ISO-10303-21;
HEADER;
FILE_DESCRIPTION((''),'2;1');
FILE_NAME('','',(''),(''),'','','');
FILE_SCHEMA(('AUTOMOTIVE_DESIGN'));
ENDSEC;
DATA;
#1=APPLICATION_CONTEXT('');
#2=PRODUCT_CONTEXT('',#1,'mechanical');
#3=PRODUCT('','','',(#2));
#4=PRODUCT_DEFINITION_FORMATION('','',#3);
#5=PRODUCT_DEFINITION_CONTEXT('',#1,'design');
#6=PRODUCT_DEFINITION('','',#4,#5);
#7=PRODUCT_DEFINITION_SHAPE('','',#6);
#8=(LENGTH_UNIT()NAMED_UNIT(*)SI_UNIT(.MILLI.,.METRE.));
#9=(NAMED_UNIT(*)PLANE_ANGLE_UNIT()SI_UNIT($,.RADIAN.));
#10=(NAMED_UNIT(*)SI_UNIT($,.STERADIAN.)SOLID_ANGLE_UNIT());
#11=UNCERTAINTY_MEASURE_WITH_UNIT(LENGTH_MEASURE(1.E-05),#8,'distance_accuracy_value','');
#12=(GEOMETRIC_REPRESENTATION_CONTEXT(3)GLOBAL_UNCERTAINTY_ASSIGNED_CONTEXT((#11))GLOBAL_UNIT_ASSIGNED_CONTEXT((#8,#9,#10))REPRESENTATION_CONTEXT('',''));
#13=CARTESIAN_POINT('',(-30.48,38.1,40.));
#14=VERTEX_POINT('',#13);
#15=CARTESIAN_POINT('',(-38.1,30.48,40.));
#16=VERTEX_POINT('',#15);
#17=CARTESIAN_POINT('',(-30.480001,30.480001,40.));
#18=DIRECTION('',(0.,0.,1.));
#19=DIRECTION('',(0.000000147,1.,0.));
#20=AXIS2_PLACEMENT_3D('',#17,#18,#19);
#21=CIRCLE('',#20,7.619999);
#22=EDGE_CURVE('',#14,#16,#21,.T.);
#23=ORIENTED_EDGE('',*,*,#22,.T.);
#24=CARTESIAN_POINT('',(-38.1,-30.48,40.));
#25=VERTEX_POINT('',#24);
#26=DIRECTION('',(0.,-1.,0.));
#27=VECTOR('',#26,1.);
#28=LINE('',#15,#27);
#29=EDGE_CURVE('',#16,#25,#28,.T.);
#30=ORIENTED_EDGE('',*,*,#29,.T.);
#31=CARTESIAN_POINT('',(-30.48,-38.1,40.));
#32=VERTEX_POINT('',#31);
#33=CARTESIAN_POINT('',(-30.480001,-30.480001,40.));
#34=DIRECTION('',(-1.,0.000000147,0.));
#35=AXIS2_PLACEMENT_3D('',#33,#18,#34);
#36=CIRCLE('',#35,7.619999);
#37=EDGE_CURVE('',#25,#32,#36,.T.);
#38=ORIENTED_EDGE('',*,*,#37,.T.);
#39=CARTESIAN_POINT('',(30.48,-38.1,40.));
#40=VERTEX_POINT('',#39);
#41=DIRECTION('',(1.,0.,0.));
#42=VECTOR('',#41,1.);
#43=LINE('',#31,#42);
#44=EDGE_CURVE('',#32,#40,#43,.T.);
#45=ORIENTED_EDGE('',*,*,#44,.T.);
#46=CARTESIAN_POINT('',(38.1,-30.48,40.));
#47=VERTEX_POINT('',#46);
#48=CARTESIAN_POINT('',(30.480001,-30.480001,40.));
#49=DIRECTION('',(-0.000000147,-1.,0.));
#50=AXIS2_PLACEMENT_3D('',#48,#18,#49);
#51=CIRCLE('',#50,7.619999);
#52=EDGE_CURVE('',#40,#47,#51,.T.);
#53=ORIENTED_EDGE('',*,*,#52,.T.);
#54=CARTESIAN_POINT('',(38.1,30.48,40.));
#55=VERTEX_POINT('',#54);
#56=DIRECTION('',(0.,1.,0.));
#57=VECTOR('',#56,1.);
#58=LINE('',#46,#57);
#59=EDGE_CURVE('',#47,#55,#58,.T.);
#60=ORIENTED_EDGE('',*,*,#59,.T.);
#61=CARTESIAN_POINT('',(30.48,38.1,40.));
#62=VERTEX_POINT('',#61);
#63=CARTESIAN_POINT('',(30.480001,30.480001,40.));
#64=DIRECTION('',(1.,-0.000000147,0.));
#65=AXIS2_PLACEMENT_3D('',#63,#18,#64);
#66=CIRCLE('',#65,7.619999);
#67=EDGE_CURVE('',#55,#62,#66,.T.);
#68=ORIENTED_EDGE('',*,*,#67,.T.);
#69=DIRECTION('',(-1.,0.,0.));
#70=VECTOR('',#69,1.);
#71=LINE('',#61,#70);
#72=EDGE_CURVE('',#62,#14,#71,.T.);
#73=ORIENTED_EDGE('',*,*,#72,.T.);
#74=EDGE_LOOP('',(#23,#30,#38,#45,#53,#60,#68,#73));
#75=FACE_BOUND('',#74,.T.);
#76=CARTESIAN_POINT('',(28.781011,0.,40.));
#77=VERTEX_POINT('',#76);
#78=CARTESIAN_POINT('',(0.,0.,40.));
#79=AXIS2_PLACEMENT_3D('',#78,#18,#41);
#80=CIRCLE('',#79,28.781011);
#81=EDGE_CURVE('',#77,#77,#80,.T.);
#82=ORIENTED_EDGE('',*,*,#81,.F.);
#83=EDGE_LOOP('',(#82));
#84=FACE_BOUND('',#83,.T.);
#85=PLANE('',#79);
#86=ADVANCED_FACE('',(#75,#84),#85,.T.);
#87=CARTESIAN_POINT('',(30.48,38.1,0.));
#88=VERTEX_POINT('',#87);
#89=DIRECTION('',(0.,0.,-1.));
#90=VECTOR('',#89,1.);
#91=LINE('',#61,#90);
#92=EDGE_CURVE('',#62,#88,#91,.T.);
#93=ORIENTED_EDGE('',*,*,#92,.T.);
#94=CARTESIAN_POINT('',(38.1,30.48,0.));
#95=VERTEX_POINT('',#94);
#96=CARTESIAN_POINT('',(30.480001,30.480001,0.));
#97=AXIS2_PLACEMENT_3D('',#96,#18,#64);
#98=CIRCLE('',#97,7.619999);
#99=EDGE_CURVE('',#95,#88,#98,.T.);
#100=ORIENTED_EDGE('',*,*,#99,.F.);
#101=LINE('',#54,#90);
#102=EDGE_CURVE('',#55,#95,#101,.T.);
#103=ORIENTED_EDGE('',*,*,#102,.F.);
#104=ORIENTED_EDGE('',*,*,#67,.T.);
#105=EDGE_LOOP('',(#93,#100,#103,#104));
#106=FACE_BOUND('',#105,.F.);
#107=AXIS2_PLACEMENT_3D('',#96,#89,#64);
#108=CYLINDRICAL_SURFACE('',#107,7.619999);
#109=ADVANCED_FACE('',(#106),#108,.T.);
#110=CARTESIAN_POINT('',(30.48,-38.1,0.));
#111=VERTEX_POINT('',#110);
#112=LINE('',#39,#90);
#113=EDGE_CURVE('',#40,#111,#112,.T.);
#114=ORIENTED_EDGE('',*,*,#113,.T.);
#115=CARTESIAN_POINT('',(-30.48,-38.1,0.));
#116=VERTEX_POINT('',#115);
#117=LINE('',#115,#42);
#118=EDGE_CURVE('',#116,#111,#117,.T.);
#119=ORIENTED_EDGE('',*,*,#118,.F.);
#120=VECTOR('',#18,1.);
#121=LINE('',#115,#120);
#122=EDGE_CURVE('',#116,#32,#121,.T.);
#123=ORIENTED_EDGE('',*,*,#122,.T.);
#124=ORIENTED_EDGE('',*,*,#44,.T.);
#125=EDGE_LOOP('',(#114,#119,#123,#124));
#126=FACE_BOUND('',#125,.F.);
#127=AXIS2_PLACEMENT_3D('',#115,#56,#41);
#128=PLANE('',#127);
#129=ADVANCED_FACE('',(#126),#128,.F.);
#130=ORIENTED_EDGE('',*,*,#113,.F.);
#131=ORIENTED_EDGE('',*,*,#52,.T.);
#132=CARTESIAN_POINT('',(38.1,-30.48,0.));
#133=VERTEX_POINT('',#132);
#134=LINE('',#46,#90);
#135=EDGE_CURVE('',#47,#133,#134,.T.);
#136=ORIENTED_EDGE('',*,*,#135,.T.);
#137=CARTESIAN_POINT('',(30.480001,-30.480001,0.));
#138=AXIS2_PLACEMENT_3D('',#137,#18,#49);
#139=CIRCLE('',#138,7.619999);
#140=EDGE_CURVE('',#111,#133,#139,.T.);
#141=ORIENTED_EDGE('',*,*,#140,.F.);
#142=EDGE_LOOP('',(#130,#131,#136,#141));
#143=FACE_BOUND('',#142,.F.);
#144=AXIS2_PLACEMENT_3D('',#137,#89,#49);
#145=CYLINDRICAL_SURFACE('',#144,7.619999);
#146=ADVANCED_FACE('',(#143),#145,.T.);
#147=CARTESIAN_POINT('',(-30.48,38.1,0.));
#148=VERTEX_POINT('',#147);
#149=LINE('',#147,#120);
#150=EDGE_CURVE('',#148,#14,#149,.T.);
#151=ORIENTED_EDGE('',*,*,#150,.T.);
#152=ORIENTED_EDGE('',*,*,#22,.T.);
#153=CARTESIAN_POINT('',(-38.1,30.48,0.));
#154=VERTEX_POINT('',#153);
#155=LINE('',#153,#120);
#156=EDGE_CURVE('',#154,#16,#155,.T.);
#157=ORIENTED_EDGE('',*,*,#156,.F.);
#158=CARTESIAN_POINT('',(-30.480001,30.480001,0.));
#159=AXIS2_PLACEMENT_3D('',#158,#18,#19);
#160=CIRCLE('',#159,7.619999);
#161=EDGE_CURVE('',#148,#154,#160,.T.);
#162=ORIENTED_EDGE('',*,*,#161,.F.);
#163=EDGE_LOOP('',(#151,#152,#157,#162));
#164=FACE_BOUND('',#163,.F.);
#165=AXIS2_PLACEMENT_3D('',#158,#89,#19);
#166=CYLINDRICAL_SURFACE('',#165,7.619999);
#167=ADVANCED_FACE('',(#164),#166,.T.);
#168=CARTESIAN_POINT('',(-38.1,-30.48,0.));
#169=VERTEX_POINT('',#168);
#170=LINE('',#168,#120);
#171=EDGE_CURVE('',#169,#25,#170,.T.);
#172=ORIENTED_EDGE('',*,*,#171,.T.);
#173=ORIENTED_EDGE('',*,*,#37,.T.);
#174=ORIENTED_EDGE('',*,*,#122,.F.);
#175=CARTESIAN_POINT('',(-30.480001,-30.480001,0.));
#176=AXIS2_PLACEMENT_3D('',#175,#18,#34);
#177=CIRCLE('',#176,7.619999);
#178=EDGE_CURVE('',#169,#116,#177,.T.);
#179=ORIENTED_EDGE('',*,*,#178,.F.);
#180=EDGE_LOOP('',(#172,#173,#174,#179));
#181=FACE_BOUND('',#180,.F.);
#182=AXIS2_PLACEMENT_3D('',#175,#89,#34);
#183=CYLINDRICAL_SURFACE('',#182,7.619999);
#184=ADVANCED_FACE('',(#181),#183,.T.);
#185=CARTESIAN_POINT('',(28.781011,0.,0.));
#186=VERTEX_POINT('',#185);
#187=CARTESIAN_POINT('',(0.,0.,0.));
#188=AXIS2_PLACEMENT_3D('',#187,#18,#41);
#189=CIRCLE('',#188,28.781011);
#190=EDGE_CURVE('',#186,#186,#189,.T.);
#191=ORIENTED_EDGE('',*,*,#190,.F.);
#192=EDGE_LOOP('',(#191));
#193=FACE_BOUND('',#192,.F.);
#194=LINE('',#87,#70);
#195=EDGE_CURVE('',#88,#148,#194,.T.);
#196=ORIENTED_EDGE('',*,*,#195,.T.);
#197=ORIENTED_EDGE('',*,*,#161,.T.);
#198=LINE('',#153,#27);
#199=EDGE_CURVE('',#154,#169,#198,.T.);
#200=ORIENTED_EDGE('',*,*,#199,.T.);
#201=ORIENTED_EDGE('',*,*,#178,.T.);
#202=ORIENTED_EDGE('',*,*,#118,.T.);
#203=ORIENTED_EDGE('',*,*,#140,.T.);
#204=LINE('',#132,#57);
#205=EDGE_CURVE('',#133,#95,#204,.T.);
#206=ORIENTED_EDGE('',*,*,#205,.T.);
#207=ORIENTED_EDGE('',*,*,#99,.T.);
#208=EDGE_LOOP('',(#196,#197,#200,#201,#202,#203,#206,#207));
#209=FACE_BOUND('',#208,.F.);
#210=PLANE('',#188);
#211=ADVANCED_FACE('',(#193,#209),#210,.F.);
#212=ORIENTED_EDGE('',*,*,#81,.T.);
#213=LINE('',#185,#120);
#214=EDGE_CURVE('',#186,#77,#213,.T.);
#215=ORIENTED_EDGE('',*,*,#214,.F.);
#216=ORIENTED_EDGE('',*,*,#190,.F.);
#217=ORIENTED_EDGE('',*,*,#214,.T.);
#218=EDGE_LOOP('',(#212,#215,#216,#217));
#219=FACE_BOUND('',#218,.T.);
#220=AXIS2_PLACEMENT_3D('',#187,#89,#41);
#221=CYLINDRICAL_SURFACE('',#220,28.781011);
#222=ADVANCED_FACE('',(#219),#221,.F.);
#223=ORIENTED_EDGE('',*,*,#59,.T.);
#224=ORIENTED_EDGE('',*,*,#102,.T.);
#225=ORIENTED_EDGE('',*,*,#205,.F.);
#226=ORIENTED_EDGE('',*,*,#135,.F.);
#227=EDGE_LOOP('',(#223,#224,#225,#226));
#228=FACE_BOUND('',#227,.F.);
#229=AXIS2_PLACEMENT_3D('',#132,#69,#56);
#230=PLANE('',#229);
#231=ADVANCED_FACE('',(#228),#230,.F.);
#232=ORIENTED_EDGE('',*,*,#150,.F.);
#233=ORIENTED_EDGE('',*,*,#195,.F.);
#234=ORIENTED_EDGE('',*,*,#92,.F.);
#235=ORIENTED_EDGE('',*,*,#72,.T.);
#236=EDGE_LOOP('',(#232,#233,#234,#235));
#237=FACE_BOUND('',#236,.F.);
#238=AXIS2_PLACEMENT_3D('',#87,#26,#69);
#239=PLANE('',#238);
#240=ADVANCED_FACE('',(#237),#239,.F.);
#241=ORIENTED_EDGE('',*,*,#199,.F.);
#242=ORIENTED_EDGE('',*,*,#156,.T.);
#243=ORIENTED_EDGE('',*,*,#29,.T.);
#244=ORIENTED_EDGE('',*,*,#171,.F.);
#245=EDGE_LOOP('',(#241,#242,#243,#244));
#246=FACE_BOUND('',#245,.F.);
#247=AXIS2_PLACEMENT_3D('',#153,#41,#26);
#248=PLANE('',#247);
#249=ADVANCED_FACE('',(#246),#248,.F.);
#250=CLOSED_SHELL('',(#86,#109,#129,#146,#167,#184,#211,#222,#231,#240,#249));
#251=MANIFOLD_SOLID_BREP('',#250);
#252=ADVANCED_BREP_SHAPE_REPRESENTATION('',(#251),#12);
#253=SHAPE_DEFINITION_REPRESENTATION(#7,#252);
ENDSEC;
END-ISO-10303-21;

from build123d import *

# Parameters (mm, degrees)
F0_R      = 28.781011
F1_DEPTH  = 40
F1_FACE_R = 28.781011
F2_DEPTH  = 10
F3_DEPTH  = 20


with BuildPart() as f1:
    # F0 (on Top) → F1 (new body)
    with BuildSketch(Plane.XY):
        with BuildLine():
            Line((30.48, 38.1), (-30.48, 38.1))
            ThreePointArc((-30.48, 38.1), (-35.868154, 35.868154), (-38.1, 30.48))
            Line((-38.1, 30.48), (-38.1, -30.48))
            ThreePointArc((-38.1, -30.48), (-35.868154, -35.868154), (-30.48, -38.1))
            Line((-30.48, -38.1), (30.48, -38.1))
            ThreePointArc((30.48, -38.1), (35.868154, -35.868154), (38.1, -30.48))
            Line((38.1, -30.48), (38.1, 30.48))
            ThreePointArc((38.1, 30.48), (35.868154, 35.868154), (30.48, 38.1))
        make_face()
        Circle(F0_R, mode=Mode.SUBTRACT)
    extrude(amount=F1_DEPTH)

    # F1_face (on face) → F2 (join)
    with BuildSketch(Plane(origin=(0, 0, 0), x_dir=(1, 0, 0), z_dir=(0, 0, -1))):
        with BuildLine():
            Line((-30.48, -38.1), (30.48, -38.1))
            ThreePointArc((30.48, -38.1), (35.868154, -35.868154), (38.1, -30.48))
            Line((38.1, -30.48), (38.1, 30.48))
            ThreePointArc((38.1, 30.48), (35.868154, 35.868154), (30.48, 38.1))
            Line((30.48, 38.1), (-30.48, 38.1))
            ThreePointArc((-30.48, 38.1), (-35.868154, 35.868154), (-38.1, 30.48))
            Line((-38.1, 30.48), (-38.1, -30.48))
            ThreePointArc((-38.1, -30.48), (-35.868154, -35.868154), (-30.48, -38.1))
        make_face()
        Circle(F1_FACE_R, mode=Mode.SUBTRACT)
    extrude(amount=-F2_DEPTH)

    # F0 (on Top) → F3 (join)
    with BuildSketch(Plane.XY):
        with BuildLine():
            Line((30.48, 38.1), (-30.48, 38.1))
            ThreePointArc((-30.48, 38.1), (-35.868154, 35.868154), (-38.1, 30.48))
            Line((-38.1, 30.48), (-38.1, -30.48))
            ThreePointArc((-38.1, -30.48), (-35.868154, -35.868154), (-30.48, -38.1))
            Line((-30.48, -38.1), (30.48, -38.1))
            ThreePointArc((30.48, -38.1), (35.868154, -35.868154), (38.1, -30.48))
            Line((38.1, -30.48), (38.1, 30.48))
            ThreePointArc((38.1, 30.48), (35.868154, 35.868154), (30.48, 38.1))
        make_face()
        Circle(F0_R, mode=Mode.SUBTRACT)
    extrude(amount=F3_DEPTH)


solid = f1.part
